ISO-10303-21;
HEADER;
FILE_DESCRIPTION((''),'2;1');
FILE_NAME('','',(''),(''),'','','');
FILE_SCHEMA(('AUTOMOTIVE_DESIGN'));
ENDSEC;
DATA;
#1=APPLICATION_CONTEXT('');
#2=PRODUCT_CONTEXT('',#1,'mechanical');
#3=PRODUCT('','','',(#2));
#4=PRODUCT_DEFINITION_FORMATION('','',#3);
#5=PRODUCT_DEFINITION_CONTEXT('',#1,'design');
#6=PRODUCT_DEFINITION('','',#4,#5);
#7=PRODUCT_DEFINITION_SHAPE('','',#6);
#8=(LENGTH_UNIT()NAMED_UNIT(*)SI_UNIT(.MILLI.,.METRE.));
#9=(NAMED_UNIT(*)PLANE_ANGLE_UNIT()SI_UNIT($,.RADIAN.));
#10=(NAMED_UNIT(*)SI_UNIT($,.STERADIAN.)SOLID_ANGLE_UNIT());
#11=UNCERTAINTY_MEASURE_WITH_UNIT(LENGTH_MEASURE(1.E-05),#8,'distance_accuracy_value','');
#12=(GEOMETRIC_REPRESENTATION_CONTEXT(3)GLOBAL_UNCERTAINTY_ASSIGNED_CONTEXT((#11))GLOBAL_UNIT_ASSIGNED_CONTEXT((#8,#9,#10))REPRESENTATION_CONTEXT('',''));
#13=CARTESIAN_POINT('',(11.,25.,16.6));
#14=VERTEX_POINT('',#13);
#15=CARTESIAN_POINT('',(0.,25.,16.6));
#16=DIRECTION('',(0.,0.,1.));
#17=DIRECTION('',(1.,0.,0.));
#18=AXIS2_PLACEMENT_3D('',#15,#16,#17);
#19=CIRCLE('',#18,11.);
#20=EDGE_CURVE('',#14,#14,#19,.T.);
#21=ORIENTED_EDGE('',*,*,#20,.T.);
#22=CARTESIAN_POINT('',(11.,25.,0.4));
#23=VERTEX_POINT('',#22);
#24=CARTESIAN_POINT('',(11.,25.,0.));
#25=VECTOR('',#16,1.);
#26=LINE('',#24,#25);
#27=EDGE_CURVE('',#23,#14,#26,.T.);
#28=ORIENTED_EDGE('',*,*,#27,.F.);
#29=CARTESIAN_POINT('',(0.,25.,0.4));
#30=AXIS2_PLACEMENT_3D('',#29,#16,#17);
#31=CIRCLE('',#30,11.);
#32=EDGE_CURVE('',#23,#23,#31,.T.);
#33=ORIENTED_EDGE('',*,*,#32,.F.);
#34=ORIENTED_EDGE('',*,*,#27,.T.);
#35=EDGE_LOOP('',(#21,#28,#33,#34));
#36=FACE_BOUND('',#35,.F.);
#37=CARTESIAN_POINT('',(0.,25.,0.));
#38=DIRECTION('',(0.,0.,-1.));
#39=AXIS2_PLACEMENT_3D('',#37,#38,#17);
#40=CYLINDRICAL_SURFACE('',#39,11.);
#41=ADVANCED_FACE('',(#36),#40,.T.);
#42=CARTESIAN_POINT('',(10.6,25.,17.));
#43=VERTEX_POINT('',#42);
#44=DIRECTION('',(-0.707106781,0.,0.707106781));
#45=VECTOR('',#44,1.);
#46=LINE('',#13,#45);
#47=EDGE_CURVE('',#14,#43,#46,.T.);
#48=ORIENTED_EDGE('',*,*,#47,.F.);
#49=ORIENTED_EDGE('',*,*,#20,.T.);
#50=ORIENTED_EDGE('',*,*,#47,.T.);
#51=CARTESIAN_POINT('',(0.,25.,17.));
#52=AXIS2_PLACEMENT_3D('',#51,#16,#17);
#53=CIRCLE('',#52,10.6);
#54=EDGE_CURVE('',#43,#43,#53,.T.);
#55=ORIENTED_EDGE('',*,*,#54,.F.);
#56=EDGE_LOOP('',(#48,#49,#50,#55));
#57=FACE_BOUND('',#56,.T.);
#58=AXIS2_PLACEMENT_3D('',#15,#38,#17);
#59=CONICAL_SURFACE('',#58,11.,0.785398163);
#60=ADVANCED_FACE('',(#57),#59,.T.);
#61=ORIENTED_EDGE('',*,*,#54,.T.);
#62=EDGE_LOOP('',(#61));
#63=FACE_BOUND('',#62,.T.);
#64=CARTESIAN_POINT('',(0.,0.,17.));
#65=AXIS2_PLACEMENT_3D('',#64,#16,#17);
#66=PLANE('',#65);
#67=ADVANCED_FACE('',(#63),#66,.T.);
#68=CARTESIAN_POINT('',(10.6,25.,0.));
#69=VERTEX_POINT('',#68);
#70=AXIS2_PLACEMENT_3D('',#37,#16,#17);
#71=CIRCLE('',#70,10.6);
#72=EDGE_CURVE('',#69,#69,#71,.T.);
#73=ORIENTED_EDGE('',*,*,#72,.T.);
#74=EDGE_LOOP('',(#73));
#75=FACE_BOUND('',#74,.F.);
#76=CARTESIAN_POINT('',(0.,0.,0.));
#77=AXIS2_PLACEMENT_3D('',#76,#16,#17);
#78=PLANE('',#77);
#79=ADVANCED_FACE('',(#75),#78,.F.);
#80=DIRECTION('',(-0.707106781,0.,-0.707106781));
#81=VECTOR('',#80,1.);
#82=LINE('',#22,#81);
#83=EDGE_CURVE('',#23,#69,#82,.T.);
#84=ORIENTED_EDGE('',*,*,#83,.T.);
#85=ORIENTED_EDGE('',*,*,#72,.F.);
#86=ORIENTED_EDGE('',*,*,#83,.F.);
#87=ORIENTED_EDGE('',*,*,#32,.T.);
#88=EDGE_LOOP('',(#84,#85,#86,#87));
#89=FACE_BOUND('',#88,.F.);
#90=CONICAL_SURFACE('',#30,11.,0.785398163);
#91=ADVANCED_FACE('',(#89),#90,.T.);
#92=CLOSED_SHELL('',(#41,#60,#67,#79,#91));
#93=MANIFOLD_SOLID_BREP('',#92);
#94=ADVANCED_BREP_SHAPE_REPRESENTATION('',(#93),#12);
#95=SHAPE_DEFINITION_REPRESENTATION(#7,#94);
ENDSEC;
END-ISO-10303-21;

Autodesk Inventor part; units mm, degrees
ref_plane "YZ Plane" through (0, 0, 0) normal (1, 0, 0) x (0, 1, 0)
ref_plane "XZ Plane" through (0, 0, 0) normal (0, 1, 0) x (-1, 0, 0)
ref_plane "XY Plane" through (0, 0, 0) normal (0, 0, 1) x (1, 0, 0)
sketch "Szkic1" plane through (0, 0, 0) normal (0, 0, 1) x (1, 0, 0)
  circle A0 centre (0, -7.5) radius 4.5 projected
  circle A1 centre (0, 0) radius 39.6 projected
  circle A2 centre (0, 7.5) radius 4.5 projected
  circle A3 centre (0, -7.5) radius 4.5 projected
  circle A4 centre (0, 0) radius 39.6 projected
  circle A5 centre (0, 7.5) radius 4.5 projected
  circle A6 centre (0, 25) radius 11
  point P0 (0, 0)
  dimension "d0" = 22
  dimension "d6" = 25
extrude "Wyciągnięcie proste1" add sketch "Szkic1" along normal blind 17 contours A6
chamfer "Faza1" distance 0.4 angle 45 2 edges at (-11, 25, 0) (-11, 25, 17)
properties part number "ciezarek" material "Stal nierdzewna 440C"
